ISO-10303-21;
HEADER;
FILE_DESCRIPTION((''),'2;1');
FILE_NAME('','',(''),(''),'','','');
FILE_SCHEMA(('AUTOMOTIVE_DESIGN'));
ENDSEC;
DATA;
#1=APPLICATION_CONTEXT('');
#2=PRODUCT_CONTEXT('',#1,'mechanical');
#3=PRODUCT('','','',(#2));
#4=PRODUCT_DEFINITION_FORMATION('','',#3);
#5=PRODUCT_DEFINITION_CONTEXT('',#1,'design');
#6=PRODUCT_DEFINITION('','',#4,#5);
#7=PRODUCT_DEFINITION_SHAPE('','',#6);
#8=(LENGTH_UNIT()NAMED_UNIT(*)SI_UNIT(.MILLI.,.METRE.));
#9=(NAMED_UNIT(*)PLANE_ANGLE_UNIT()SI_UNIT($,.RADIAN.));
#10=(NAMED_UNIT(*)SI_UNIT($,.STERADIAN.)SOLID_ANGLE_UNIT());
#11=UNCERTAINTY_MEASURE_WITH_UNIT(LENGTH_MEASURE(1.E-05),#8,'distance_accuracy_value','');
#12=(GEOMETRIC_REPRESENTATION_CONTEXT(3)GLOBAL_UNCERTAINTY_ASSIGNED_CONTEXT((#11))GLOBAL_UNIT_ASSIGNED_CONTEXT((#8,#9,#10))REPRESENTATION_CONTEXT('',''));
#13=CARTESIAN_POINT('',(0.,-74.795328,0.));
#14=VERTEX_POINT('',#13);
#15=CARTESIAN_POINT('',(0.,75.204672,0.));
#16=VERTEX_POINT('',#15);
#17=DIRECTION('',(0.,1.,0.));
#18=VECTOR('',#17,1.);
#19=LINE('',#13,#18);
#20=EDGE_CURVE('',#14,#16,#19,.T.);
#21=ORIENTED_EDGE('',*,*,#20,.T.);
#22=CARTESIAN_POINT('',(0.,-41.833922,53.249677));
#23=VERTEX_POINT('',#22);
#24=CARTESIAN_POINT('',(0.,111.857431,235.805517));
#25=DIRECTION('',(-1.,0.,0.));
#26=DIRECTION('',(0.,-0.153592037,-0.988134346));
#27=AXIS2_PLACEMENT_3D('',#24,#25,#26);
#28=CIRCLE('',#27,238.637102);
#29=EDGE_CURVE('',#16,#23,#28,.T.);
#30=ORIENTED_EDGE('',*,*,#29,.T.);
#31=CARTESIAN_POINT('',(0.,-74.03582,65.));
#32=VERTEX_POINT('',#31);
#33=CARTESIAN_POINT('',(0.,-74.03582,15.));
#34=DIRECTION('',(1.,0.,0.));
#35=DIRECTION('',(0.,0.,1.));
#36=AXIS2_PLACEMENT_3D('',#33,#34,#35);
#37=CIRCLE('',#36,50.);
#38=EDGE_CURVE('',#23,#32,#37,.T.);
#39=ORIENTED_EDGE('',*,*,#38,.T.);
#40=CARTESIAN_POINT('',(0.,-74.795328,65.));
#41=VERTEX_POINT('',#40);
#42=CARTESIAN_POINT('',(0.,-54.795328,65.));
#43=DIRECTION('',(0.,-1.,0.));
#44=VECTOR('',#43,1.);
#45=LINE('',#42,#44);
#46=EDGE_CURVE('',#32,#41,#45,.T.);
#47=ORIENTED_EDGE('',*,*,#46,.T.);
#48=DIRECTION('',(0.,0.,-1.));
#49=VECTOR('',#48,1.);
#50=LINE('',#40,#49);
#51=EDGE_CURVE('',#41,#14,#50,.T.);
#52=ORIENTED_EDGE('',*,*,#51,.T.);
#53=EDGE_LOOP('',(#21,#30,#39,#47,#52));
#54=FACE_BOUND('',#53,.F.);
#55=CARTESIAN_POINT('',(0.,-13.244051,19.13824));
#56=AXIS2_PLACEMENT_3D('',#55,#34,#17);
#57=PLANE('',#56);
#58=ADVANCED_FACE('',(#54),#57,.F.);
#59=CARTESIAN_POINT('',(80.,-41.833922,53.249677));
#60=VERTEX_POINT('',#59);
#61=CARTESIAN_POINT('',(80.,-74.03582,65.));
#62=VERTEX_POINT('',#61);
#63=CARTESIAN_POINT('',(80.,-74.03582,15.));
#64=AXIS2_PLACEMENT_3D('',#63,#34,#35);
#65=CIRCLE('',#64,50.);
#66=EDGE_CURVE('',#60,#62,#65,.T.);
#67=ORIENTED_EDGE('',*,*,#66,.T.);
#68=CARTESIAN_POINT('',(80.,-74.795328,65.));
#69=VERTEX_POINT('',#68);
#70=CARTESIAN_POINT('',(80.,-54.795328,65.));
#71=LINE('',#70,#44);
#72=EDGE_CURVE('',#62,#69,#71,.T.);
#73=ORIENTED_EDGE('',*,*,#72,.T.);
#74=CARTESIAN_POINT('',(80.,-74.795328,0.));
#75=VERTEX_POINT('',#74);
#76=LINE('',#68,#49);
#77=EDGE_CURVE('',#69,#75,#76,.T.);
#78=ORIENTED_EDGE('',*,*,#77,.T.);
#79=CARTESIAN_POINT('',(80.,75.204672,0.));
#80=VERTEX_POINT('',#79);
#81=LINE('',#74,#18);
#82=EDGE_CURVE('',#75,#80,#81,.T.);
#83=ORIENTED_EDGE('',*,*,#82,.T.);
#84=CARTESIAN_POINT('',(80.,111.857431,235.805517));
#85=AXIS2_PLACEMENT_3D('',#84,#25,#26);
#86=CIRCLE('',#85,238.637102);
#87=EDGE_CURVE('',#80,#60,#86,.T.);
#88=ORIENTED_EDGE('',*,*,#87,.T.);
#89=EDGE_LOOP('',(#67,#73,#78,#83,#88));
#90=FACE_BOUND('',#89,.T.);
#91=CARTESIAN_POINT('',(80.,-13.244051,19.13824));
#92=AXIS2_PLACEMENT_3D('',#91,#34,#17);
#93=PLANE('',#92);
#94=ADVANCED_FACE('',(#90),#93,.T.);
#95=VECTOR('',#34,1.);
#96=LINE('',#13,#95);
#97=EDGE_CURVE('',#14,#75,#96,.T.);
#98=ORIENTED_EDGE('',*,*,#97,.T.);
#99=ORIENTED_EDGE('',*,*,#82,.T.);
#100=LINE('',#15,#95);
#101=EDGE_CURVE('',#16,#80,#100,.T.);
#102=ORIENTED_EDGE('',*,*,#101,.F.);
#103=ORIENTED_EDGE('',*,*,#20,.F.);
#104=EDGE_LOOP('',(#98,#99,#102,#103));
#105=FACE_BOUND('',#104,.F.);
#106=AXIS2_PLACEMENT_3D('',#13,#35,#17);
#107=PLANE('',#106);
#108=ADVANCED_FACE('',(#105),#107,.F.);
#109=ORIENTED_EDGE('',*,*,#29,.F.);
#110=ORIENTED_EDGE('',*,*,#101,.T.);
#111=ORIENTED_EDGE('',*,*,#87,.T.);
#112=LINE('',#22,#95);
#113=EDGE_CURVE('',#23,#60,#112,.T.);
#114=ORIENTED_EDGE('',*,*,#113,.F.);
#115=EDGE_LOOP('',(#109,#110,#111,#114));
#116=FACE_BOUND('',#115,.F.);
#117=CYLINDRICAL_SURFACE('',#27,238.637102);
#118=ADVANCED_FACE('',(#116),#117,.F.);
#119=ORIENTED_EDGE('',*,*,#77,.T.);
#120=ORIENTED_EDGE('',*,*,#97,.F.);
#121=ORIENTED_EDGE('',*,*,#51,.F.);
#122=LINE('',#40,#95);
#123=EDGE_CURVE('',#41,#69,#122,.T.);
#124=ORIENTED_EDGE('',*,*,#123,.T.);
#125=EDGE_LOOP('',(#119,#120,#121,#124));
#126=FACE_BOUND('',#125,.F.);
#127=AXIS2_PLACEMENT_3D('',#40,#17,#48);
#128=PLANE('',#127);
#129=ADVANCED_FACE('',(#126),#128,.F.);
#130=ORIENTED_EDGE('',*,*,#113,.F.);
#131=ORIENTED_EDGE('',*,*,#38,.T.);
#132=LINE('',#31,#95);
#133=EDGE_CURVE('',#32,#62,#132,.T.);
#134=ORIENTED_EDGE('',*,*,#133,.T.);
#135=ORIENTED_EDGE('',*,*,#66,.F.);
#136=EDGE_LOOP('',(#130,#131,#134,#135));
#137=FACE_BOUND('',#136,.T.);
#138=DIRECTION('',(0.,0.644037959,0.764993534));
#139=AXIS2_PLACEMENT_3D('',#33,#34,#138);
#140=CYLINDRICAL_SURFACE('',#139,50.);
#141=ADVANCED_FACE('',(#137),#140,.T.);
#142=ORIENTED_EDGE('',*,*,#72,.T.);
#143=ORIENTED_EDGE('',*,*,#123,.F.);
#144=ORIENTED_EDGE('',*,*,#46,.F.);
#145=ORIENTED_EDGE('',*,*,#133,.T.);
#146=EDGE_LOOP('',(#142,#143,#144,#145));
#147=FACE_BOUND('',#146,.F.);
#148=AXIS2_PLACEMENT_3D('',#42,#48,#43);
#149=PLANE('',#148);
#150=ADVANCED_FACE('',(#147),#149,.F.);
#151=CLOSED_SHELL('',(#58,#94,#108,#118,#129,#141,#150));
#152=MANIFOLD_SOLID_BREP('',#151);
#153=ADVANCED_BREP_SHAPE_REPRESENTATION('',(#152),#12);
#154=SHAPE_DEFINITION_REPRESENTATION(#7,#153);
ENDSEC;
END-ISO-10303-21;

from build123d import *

# Parameters (mm, degrees)
F1_DEPTH = 80
F2_R     = 50


with BuildPart() as f1:
    # F0 (on Right) → F1 (new body)
    with BuildSketch(Plane.YZ):
        with BuildLine():
            Line((-74.795328, 65), (-74.795328, 0))
            Line((-74.795328, 0), (75.204672, 0))
            ThreePointArc((75.204672, 0), (5.135674, 22.362004), (-54.795328, 65))
            Line((-54.795328, 65), (-74.795328, 65))
        make_face()
    extrude(amount=F1_DEPTH)

    # F2
    f2_edges = [f1.edges().sort_by_distance(p)[0] for p in [
        (40, -54.795328, 65),
    ]]
    fillet(f2_edges, radius=F2_R)


solid = f1.part
